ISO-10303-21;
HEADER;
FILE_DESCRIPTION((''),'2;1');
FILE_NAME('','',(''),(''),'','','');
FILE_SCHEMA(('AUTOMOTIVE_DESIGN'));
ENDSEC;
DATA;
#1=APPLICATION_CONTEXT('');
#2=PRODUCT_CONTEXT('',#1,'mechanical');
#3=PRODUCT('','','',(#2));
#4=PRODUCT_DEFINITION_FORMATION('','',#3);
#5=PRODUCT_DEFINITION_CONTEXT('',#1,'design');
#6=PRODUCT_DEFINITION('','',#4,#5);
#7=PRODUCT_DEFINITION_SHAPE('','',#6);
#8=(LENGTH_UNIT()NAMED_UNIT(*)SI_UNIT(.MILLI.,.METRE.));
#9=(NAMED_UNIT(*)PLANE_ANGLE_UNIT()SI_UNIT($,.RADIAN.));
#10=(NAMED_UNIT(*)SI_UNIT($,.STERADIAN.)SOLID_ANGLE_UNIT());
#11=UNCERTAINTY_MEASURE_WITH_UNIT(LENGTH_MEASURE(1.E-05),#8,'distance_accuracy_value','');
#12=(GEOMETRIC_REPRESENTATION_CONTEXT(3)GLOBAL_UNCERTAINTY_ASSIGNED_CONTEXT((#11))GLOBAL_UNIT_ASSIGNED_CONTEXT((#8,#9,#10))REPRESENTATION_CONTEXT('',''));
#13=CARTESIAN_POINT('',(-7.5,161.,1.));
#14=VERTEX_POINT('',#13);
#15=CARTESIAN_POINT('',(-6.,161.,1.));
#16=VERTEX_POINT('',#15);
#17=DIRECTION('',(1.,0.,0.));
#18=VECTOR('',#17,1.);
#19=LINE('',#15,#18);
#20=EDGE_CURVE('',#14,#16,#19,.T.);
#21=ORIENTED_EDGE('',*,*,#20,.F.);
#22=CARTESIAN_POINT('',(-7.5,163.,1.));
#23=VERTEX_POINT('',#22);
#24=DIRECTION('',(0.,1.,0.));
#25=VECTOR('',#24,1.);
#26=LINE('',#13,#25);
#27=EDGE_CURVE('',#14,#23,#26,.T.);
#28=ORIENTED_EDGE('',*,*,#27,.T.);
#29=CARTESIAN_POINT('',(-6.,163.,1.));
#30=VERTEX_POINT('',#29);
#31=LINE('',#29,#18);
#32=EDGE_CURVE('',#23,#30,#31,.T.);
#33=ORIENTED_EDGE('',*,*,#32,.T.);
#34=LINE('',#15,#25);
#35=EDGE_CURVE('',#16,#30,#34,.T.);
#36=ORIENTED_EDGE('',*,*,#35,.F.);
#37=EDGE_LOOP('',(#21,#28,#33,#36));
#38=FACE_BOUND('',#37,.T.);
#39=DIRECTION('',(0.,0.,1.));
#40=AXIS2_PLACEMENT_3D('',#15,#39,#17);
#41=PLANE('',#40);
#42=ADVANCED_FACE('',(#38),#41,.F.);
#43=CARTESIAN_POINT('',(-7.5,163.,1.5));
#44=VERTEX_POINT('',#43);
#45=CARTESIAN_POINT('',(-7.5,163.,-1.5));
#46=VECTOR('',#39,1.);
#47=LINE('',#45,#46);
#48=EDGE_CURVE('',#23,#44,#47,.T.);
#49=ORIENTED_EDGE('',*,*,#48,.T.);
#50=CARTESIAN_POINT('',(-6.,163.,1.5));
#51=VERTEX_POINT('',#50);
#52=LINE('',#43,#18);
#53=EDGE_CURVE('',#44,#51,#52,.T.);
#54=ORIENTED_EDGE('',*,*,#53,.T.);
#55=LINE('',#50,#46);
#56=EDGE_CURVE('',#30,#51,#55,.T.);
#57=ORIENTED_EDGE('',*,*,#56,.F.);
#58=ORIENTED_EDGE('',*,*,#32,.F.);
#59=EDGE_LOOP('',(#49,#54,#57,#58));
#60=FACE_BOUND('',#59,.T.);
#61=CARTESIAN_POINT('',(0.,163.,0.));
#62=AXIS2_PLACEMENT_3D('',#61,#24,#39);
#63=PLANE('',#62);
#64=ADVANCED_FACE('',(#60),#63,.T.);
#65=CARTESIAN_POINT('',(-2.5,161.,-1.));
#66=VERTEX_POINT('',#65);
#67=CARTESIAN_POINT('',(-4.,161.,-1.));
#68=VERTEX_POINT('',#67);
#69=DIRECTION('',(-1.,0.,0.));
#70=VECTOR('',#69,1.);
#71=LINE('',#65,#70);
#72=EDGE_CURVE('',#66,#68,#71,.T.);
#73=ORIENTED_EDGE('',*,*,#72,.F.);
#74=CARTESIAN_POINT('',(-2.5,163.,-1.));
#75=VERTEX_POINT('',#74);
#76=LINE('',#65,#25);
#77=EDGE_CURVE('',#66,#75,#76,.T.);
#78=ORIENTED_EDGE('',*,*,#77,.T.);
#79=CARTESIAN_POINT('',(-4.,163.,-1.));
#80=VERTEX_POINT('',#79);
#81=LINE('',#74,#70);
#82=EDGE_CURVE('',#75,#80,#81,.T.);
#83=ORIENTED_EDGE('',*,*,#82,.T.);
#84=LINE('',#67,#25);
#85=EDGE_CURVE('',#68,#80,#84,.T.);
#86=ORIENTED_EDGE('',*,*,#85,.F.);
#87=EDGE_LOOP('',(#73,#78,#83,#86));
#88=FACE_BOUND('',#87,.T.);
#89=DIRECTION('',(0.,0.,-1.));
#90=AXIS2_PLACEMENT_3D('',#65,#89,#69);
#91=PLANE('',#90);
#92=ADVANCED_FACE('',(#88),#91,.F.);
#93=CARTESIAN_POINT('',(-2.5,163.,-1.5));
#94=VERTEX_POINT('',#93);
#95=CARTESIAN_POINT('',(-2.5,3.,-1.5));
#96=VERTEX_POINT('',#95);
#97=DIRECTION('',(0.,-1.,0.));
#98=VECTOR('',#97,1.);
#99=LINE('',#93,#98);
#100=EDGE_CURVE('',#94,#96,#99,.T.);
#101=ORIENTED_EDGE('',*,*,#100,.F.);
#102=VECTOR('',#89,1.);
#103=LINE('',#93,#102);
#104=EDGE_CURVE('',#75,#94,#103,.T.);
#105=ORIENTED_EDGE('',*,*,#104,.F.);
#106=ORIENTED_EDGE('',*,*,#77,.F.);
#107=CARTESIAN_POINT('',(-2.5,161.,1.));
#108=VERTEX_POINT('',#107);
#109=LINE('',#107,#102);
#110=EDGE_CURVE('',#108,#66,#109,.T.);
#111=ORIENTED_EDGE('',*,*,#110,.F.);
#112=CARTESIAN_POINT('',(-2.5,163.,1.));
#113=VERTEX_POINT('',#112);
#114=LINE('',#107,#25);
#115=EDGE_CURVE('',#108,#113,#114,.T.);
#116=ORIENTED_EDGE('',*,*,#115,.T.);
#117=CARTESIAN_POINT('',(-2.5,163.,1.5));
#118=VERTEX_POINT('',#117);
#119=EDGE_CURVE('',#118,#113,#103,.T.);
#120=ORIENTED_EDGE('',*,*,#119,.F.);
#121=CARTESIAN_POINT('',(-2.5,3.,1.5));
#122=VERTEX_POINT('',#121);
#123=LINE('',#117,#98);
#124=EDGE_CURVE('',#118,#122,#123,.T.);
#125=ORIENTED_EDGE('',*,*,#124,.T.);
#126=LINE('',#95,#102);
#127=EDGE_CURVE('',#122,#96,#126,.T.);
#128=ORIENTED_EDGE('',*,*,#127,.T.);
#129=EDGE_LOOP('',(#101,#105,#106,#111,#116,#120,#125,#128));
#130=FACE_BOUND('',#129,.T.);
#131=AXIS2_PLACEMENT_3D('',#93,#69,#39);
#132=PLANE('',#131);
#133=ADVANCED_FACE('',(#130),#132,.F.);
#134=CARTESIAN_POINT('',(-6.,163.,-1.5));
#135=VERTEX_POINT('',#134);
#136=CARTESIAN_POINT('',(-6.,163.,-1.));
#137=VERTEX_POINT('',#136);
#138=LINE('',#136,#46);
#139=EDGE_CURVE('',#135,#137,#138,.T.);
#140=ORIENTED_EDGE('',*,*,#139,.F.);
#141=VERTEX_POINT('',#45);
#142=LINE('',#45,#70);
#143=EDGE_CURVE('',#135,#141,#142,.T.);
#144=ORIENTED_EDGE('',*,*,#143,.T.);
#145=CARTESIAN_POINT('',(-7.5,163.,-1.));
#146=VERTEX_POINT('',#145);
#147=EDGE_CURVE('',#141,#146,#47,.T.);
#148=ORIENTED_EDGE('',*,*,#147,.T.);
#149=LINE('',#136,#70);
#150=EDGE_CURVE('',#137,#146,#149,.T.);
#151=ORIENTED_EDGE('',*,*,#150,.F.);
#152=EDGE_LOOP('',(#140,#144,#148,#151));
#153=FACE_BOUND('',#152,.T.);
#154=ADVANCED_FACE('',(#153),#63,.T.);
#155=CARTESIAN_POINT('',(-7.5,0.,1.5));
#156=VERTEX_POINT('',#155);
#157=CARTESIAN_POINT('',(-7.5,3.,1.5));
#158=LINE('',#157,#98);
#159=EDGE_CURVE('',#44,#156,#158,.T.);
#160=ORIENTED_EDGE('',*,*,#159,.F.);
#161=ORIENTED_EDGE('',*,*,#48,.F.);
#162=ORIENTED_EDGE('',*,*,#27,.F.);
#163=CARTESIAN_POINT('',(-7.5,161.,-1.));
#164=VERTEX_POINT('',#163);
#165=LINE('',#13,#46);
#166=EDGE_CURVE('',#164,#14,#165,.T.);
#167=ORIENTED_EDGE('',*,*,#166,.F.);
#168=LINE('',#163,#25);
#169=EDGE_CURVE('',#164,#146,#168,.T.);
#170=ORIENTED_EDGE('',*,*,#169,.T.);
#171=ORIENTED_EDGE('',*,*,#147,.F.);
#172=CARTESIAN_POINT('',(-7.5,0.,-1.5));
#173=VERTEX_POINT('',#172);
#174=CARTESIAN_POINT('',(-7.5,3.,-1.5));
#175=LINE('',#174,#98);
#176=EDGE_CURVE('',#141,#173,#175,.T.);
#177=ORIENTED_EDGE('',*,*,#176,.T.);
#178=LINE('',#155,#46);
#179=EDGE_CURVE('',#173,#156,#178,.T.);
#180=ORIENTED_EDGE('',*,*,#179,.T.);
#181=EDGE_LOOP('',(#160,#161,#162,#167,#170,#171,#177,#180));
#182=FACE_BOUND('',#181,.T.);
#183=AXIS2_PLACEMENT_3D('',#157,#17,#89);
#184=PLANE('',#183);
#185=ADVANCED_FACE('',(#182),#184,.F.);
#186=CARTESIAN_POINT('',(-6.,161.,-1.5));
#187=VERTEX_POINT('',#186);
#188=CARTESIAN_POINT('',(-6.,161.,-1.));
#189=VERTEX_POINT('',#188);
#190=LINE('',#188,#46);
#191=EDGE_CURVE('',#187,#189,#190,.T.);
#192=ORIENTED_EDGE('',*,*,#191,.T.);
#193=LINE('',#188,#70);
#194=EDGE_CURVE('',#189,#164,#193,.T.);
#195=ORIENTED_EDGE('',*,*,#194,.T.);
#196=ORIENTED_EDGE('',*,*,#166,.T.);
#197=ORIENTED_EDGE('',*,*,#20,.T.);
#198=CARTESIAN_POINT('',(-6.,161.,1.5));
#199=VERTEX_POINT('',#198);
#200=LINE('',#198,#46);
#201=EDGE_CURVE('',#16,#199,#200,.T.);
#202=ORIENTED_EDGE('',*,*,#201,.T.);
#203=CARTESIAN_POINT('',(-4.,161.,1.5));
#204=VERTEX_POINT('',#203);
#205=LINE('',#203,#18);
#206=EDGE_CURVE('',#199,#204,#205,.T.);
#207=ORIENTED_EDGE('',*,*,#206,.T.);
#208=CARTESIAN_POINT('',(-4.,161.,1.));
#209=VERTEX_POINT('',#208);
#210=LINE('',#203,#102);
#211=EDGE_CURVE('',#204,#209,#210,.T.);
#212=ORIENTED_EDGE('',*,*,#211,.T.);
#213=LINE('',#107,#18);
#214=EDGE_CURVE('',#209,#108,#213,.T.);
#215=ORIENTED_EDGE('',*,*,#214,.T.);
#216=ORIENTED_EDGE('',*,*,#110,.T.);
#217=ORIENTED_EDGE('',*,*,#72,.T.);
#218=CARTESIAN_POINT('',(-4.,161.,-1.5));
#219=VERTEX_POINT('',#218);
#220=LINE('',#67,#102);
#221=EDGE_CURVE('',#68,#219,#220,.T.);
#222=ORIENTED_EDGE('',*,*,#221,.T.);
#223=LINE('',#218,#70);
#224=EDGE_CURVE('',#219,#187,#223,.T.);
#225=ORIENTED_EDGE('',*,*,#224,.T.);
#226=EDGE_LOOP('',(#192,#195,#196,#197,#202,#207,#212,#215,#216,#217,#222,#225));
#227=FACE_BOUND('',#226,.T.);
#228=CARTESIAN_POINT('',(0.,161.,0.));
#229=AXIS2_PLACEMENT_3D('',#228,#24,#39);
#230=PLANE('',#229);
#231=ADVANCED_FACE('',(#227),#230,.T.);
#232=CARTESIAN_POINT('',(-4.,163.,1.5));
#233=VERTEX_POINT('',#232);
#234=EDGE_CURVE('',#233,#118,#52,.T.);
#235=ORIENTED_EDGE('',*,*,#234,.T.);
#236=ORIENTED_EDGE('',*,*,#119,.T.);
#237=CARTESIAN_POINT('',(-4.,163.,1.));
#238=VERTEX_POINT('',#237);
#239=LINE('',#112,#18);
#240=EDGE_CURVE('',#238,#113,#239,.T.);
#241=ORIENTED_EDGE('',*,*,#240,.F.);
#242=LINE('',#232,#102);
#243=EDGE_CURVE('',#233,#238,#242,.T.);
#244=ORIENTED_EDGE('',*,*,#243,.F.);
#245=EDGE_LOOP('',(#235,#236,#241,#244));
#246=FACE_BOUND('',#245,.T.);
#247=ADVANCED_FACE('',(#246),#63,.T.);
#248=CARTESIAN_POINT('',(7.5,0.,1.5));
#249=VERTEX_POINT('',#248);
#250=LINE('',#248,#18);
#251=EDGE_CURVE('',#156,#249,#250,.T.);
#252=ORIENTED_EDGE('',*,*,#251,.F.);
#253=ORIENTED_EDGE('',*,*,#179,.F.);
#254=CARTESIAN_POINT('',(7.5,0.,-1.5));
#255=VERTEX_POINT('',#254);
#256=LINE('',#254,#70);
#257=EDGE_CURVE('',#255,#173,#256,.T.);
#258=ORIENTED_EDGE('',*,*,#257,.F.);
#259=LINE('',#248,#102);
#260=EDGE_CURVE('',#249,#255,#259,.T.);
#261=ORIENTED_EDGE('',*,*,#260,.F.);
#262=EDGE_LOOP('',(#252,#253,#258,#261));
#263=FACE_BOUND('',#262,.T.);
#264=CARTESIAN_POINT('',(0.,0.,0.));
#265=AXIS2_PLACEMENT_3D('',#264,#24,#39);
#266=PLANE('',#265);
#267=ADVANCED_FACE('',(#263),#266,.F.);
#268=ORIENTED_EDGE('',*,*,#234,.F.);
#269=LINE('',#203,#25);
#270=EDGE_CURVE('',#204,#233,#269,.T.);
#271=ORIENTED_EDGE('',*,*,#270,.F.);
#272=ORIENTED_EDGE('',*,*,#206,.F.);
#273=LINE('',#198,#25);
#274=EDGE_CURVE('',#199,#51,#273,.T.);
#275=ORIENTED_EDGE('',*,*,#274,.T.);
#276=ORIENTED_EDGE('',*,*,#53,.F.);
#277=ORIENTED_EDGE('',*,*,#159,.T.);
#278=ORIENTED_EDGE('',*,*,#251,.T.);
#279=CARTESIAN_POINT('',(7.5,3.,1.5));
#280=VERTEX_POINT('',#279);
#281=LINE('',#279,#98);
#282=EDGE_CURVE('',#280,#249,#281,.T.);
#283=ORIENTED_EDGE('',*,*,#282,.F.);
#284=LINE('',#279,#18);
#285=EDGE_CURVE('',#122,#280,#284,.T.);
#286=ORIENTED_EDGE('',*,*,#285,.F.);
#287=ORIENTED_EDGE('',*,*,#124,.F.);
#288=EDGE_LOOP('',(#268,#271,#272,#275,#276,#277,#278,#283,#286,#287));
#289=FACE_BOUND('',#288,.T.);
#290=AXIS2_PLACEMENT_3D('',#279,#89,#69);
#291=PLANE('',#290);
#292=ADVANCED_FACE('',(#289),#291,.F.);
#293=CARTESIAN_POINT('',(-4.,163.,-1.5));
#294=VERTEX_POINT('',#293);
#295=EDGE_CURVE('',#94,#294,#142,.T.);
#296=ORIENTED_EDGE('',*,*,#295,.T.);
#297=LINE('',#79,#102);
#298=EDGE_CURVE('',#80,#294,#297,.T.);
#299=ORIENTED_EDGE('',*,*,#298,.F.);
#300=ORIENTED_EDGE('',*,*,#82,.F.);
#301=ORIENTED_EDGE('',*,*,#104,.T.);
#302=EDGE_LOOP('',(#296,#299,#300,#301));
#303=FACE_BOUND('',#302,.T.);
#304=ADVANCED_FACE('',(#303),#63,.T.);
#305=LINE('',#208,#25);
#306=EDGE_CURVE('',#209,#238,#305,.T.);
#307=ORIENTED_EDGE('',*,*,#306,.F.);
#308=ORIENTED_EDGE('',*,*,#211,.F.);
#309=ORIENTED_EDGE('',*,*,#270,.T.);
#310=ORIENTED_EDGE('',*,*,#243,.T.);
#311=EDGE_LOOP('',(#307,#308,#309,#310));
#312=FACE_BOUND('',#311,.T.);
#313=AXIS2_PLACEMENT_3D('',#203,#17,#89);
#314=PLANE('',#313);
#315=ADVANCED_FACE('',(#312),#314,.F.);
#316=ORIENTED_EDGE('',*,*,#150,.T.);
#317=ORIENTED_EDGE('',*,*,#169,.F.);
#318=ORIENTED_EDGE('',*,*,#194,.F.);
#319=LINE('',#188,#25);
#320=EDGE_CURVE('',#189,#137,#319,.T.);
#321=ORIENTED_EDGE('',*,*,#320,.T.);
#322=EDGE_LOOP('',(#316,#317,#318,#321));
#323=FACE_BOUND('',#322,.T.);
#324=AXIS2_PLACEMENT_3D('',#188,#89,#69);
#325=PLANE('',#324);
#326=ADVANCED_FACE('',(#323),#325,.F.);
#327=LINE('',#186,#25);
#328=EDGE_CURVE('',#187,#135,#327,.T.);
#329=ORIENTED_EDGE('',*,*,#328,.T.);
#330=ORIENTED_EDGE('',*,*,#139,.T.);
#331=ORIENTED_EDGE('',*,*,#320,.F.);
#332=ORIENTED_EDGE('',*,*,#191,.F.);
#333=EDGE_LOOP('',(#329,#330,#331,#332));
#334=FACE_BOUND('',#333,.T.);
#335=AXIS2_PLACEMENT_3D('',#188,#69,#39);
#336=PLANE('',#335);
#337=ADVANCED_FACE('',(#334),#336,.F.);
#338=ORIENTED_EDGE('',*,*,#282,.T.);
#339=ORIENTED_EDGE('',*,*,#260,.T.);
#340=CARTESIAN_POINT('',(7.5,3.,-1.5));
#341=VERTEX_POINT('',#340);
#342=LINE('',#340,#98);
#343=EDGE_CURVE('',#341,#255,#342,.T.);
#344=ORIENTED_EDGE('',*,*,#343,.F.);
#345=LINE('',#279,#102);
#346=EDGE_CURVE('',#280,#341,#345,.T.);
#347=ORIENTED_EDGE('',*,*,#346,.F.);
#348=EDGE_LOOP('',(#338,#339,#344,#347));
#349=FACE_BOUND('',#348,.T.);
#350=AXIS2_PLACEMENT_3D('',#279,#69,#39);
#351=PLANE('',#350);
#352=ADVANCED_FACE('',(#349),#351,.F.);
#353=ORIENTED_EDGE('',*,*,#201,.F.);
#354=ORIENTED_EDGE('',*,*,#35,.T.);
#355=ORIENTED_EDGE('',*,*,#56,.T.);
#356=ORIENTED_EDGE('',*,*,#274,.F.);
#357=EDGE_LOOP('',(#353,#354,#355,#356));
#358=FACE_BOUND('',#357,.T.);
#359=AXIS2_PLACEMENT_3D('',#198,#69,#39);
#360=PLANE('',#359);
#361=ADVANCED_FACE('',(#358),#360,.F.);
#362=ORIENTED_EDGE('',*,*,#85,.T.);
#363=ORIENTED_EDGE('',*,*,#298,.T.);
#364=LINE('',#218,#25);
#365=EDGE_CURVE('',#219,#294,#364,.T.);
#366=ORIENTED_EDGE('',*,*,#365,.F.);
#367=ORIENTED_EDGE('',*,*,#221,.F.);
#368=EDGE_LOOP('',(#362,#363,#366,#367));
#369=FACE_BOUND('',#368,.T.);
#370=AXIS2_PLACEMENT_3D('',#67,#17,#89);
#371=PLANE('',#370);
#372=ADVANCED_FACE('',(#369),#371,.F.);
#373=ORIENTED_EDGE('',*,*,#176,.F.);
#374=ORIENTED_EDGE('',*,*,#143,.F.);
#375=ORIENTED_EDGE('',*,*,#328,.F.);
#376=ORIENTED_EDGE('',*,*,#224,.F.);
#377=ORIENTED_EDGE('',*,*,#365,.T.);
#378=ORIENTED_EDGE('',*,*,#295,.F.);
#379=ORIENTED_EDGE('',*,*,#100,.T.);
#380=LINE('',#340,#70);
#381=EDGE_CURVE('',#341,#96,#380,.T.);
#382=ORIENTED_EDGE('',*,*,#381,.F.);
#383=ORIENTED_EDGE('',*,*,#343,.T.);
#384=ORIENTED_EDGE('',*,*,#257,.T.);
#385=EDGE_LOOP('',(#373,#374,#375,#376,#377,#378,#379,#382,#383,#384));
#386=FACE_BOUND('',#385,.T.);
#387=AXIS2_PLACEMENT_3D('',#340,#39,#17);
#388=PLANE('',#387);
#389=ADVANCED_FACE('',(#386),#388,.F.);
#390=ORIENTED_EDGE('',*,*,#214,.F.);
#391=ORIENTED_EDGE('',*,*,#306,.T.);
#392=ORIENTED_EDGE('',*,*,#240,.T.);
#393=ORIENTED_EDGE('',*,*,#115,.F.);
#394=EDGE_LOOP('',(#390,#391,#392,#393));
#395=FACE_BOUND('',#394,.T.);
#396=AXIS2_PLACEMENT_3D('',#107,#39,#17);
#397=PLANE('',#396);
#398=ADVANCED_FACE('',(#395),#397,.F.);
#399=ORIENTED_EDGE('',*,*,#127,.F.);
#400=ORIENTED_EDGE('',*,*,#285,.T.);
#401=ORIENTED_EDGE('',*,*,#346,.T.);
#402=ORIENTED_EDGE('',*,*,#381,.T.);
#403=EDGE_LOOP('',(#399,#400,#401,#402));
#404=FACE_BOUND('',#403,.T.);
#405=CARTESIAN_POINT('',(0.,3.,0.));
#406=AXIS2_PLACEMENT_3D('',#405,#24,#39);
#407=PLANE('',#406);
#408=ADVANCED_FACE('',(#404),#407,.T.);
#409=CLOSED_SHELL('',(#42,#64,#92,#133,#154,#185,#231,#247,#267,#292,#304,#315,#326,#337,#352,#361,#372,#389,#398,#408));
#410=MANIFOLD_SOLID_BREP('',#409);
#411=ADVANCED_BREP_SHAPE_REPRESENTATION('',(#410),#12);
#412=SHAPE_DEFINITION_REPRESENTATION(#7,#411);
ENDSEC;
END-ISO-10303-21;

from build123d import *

# Parameters (mm, degrees)
SKETCH1_W           = 15
SKETCH1_H           = 3
BOSS_EXTRUDE1_DEPTH = 3
SKETCH2_W           = 5
SKETCH2_H           = 3
BOSS_EXTRUDE2_DEPTH = 160
CUT_EXTRUDE1_DEPTH  = 2


with BuildPart() as part:
    # Sketch1 → Boss-Extrude1 (new body)
    with BuildSketch(Plane(origin=(0, 0, 0), x_dir=(1, 0, 0), z_dir=(0, 1, 0))):
        Rectangle(SKETCH1_W, SKETCH1_H)
    extrude(amount=BOSS_EXTRUDE1_DEPTH)

    # Sketch2 → Boss-Extrude2 (add)
    with BuildSketch(Plane(origin=(0, 3, 0), x_dir=(1, 0, 0), z_dir=(0, 1, 0))):
        with Locations((-5, 0)):
            Rectangle(SKETCH2_W, SKETCH2_H)
    extrude(amount=BOSS_EXTRUDE2_DEPTH)

    # Sketch3 → Cut-Extrude1 (cut)
    with BuildSketch(Plane(origin=(0, 163, 0), x_dir=(1, 0, 0), z_dir=(0, 1, 0))):
        Polygon((-6, 1), (-7.5, 1), (-7.5, -1), (-6, -1), (-6, -1.5), (-4, -1.5), (-4, -1), (-2.5, -1), (-2.5, 1), (-4, 1), (-4, 1.5), (-6, 1.5), align=None)
    extrude(amount=-CUT_EXTRUDE1_DEPTH, mode=Mode.SUBTRACT)


solid = part.part
